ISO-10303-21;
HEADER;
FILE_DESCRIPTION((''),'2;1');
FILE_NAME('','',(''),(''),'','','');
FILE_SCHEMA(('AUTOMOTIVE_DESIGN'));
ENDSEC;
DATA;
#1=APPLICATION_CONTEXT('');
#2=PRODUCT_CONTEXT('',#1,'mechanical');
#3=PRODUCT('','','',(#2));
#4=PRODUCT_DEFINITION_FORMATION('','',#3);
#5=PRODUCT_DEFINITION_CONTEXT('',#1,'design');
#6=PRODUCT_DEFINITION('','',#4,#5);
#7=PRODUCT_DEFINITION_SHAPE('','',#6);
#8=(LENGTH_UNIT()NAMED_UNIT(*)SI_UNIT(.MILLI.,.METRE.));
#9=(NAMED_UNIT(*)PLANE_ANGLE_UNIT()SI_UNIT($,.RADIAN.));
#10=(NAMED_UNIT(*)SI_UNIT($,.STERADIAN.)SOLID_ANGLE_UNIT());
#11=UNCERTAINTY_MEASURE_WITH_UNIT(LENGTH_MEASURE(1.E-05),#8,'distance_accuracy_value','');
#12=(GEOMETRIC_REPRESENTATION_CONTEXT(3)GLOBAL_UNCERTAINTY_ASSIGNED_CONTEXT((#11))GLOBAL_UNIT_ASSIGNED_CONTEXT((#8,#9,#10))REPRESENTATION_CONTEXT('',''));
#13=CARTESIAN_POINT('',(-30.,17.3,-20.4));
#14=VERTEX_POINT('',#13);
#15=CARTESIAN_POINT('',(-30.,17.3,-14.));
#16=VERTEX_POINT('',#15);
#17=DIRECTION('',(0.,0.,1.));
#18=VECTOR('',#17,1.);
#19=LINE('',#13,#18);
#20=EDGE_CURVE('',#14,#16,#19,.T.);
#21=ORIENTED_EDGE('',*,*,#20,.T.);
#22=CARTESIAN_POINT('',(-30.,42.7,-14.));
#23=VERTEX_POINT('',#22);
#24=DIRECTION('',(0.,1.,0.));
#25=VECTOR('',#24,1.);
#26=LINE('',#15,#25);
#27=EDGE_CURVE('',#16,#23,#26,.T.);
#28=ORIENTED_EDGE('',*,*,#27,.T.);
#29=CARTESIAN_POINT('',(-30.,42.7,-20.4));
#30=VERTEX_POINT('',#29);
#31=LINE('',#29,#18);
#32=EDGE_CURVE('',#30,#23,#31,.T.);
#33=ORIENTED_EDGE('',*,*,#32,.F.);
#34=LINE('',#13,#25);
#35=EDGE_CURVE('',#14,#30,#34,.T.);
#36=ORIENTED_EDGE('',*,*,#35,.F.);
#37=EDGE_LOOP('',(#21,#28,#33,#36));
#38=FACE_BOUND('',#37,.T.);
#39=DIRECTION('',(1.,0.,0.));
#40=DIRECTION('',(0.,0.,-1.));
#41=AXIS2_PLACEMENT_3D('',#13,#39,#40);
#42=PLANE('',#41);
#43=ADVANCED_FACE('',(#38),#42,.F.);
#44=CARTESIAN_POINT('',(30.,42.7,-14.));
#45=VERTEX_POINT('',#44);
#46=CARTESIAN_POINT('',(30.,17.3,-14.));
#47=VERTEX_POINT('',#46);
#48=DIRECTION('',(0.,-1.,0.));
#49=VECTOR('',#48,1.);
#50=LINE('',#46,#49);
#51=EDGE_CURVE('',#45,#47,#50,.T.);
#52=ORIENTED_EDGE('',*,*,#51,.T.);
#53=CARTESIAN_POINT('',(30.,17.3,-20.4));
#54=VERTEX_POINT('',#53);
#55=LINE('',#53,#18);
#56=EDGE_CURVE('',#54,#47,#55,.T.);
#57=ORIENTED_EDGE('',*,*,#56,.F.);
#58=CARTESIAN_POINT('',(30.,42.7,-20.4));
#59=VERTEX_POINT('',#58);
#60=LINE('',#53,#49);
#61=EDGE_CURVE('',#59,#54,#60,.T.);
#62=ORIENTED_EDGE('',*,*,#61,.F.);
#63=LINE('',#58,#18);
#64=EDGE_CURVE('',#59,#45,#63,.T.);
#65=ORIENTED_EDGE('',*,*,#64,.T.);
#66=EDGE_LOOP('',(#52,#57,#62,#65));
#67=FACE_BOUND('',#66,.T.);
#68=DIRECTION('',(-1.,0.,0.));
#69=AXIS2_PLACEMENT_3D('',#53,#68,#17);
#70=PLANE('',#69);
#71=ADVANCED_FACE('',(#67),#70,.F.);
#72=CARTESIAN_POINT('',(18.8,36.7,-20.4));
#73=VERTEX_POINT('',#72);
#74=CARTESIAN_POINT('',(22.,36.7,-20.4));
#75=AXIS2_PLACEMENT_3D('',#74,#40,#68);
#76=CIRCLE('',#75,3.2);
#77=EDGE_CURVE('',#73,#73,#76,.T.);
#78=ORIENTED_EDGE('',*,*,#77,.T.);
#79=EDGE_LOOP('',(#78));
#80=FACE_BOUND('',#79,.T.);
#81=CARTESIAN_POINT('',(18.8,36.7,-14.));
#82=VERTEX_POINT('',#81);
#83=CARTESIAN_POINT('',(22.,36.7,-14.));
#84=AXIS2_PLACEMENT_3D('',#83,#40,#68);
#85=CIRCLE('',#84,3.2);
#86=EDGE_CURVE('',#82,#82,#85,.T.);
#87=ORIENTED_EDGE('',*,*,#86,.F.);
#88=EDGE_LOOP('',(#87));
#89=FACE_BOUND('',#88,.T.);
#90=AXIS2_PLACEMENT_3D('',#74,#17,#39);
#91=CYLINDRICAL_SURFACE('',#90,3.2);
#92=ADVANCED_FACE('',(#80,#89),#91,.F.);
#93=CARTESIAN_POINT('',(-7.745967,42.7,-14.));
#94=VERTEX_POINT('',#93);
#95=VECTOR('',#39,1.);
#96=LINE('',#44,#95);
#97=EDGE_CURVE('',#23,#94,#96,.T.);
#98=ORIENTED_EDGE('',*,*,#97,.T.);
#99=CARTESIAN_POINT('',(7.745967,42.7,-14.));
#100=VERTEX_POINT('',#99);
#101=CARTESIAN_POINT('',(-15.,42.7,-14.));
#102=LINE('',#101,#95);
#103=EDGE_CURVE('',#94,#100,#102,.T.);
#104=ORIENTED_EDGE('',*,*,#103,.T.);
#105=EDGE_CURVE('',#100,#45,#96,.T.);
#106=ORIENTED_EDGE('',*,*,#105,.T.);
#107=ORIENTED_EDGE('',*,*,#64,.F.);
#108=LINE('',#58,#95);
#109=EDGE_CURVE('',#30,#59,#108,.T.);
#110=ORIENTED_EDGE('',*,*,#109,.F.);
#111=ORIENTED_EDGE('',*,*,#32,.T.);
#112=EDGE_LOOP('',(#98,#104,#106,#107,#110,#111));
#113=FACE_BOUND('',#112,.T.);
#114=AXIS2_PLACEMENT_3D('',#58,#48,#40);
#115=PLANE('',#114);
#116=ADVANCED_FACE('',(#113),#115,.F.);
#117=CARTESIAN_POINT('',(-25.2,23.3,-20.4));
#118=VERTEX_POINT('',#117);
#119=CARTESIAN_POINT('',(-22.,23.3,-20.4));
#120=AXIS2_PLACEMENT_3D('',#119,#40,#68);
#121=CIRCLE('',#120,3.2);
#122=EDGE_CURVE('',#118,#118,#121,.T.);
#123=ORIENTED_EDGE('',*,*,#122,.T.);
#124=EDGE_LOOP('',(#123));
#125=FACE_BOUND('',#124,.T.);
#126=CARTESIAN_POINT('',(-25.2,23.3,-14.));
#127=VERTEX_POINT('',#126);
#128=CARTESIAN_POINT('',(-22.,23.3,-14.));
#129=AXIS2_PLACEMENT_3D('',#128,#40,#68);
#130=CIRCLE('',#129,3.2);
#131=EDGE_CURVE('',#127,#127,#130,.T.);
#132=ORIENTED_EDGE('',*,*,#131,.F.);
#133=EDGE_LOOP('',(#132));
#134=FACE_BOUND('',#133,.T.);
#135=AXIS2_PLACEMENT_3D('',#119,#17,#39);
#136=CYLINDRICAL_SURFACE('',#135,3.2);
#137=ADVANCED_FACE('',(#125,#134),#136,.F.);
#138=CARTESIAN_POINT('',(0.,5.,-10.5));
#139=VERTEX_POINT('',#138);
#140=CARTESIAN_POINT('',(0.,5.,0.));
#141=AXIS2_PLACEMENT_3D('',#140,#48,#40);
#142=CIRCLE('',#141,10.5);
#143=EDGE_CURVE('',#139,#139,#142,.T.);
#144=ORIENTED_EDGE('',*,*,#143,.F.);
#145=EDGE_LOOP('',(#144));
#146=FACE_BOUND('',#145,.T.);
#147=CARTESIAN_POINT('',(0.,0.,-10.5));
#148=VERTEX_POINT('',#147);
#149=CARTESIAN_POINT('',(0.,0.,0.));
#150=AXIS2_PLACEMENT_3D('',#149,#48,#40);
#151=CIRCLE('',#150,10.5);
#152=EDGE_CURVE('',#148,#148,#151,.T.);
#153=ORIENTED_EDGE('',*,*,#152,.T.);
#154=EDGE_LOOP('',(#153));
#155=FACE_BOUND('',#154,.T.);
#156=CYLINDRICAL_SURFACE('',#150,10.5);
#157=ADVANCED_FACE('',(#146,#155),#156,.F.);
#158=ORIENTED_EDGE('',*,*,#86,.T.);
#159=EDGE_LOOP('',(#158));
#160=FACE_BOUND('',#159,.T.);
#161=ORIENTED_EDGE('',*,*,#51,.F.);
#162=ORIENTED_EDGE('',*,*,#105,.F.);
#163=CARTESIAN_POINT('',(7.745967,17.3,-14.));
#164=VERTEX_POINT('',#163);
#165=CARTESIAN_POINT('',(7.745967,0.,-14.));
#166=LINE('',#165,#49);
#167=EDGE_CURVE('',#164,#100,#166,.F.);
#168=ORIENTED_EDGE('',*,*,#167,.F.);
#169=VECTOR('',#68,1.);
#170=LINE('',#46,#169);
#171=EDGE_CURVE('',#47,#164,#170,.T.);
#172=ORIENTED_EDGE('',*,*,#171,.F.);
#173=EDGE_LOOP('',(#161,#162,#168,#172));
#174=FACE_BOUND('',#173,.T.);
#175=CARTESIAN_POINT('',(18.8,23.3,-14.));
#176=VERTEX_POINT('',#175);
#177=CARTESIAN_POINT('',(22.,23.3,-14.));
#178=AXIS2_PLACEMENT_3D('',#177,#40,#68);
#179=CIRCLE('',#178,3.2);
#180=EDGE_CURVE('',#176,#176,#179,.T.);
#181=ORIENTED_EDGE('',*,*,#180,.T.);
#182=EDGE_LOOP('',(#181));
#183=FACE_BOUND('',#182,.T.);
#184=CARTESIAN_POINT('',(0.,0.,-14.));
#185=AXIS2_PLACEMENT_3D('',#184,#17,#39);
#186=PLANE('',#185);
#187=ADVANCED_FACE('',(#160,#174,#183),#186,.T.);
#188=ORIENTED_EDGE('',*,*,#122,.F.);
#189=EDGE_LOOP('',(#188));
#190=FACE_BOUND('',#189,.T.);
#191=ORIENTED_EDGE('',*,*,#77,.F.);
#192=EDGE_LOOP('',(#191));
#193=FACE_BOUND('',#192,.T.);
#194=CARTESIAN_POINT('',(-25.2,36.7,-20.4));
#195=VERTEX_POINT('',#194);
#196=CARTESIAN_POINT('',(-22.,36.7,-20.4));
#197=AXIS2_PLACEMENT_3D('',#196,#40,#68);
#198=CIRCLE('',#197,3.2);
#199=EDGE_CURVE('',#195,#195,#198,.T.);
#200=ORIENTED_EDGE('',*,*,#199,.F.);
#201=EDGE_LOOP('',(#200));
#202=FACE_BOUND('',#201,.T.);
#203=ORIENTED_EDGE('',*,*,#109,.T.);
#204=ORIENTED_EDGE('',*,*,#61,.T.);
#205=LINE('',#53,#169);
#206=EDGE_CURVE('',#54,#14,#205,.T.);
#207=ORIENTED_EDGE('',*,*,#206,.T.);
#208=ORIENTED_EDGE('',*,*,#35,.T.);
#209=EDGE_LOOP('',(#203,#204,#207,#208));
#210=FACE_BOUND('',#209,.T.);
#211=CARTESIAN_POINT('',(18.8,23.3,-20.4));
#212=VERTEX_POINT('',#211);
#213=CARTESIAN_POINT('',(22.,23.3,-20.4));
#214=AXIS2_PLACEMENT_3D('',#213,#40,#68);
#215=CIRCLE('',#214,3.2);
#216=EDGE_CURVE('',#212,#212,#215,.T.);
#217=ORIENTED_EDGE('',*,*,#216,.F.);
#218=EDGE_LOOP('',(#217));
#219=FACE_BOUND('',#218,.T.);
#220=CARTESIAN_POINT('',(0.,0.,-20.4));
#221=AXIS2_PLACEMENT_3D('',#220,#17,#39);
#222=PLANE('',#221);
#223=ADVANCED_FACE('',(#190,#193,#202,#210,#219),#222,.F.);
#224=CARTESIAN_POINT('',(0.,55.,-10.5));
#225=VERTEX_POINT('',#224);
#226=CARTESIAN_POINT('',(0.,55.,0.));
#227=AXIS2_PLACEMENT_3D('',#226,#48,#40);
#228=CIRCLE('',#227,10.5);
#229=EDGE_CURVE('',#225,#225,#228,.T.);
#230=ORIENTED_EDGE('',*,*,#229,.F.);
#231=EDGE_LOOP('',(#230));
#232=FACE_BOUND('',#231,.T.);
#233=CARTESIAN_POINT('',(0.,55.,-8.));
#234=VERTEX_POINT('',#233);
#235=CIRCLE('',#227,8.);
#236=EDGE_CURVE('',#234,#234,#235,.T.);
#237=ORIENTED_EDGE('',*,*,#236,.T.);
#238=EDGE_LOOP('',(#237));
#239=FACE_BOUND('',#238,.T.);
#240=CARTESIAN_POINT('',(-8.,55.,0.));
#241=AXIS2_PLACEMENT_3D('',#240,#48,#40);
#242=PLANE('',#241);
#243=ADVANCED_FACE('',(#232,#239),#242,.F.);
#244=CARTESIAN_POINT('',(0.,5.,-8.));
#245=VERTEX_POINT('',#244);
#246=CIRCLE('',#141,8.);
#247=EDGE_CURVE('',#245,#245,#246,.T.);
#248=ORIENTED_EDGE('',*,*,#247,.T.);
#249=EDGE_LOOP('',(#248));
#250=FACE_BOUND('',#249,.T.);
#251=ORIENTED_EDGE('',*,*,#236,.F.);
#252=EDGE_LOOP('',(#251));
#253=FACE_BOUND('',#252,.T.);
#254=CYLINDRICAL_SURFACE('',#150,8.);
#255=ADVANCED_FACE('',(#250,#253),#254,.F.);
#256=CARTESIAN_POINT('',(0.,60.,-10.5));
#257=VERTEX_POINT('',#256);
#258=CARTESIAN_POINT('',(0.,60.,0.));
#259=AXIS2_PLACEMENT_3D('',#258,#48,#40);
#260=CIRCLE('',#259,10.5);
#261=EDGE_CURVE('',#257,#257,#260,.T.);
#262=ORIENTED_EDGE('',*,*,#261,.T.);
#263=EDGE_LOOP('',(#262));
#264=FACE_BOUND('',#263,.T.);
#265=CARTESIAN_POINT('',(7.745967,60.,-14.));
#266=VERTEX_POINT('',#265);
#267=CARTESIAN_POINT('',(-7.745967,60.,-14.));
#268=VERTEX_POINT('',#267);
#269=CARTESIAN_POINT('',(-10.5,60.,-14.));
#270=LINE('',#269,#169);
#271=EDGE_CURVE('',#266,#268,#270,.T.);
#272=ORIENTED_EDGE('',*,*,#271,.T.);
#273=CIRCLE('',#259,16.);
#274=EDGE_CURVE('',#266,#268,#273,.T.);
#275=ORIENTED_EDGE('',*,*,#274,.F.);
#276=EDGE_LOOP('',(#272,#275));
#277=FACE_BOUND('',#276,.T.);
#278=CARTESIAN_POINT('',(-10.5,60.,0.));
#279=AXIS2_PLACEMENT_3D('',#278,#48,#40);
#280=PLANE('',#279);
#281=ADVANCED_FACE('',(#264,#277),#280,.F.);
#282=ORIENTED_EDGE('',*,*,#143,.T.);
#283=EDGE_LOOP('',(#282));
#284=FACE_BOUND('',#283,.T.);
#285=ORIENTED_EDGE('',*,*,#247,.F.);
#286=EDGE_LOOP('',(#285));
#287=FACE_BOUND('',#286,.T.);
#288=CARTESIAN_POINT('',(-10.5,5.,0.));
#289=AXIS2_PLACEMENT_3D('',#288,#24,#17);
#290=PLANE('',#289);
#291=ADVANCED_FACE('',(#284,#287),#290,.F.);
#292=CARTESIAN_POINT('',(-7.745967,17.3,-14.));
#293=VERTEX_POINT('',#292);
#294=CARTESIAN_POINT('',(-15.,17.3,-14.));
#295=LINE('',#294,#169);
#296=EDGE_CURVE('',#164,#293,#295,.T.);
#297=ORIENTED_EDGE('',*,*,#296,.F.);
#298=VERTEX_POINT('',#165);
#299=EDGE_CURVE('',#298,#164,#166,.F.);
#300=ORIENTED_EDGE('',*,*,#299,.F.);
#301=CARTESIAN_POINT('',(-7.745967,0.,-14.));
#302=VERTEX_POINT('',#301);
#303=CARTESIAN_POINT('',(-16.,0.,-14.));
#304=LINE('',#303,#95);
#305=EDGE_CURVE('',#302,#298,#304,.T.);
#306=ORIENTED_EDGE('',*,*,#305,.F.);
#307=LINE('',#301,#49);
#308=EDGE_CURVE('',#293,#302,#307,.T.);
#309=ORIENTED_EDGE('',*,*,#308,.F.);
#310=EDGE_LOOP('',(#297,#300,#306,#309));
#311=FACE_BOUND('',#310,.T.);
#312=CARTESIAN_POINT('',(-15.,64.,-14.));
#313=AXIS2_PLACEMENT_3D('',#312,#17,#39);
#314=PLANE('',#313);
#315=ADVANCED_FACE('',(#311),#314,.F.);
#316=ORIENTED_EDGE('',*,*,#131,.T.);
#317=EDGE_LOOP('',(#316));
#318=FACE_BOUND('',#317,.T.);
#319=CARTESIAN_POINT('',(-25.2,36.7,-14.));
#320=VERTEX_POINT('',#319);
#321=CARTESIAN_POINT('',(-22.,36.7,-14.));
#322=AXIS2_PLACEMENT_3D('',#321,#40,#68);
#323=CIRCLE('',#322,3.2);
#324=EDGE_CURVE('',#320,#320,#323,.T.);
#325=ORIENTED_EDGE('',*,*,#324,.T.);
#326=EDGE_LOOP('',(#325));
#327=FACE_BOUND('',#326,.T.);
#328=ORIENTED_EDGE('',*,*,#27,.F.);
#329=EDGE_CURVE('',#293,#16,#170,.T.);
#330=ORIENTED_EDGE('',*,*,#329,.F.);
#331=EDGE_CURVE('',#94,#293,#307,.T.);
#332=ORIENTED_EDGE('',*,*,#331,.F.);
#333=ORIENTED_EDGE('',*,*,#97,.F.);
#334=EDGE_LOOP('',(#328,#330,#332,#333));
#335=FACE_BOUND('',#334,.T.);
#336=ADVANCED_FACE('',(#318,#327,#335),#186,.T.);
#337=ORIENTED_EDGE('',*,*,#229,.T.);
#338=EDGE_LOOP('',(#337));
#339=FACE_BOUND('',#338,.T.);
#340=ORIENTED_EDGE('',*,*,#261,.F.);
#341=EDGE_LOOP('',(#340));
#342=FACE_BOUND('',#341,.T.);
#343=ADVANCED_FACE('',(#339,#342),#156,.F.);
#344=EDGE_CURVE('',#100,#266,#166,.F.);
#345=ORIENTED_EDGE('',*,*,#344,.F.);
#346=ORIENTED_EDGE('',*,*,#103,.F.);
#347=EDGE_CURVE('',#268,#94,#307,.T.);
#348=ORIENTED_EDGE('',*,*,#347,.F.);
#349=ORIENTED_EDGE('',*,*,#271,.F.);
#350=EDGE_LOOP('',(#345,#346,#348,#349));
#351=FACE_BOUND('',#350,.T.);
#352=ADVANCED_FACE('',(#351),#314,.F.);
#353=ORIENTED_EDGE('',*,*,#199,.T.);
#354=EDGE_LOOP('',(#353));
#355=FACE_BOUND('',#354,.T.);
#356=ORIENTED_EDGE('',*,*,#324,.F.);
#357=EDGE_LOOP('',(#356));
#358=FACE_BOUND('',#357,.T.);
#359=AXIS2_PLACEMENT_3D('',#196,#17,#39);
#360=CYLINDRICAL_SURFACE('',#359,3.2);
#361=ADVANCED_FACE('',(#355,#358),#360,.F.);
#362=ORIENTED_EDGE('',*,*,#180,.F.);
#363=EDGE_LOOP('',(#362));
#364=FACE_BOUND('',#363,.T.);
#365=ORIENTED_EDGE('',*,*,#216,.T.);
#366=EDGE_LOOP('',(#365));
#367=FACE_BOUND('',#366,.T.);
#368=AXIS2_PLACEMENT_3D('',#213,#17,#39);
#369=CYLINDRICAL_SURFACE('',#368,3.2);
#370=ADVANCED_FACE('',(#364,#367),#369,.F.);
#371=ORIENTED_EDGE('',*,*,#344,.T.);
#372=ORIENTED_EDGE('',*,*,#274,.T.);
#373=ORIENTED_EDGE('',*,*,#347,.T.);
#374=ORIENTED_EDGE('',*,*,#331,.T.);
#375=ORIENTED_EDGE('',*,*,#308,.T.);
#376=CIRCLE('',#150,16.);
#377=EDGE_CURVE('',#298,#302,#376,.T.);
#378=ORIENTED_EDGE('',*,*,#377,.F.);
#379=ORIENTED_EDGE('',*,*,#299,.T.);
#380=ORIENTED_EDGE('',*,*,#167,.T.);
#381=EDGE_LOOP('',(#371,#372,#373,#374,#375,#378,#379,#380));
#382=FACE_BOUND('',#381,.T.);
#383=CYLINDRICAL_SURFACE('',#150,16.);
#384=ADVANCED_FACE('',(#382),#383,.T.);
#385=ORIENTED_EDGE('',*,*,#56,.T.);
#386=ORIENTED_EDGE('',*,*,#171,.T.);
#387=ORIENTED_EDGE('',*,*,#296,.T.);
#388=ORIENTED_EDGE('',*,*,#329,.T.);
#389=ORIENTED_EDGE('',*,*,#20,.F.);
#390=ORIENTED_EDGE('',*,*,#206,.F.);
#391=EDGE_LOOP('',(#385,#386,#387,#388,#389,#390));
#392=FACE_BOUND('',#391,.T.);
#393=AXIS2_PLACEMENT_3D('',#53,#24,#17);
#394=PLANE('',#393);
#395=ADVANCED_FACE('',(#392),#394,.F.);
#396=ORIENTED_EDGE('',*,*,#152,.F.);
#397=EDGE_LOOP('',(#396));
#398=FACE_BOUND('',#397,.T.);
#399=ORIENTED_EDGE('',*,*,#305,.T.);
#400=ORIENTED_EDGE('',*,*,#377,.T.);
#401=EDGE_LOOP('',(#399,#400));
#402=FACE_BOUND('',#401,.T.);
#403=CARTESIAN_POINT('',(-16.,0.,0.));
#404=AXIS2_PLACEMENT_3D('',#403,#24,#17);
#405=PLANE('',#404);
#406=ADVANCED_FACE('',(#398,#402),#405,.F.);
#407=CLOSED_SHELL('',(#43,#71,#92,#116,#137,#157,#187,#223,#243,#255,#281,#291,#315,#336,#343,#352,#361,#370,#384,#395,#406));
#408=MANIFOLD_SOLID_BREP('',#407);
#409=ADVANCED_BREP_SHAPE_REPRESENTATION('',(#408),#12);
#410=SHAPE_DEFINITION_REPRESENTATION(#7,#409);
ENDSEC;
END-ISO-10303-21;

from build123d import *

# Parameters (mm, degrees)
CROQUIS2_W              = 30
CROQUIS2_H              = 10
CORTAR_EXTRUIR1_DEPTH   = 64
CROQUIS3_W              = 60
CROQUIS3_H              = 25.4
CROQUIS3_R              = 3.2
SALIENTE_EXTRUIR1_DEPTH = 6.4


with BuildPart() as part:
    # Croquis1 → Revolución1 (revolve)
    with BuildSketch(Plane.XY, mode=Mode.PRIVATE) as revoluci_n1_sk:
        Polygon((-8, 55), (-10.5, 55), (-10.5, 60), (-16, 60), (-16, 0), (-10.5, 0), (-10.5, 5), (-8, 5), align=None)
    revolve(revoluci_n1_sk.sketch.rotate(Axis((0, 0, 0), (0, 1, 0)), 270), axis=Axis((0, 0, 0), (0, 1, 0)))

    # Croquis2 → Cortar-Extruir1 (cut)
    with BuildSketch(Plane.XZ):
        with Locations((0, -19)):
            Rectangle(CROQUIS2_W, CROQUIS2_H)
    extrude(amount=-CORTAR_EXTRUIR1_DEPTH, mode=Mode.SUBTRACT)

    # Croquis3 → Saliente-Extruir1 (add)
    with BuildSketch(Plane(origin=(0, 0, -14), x_dir=(-1, 0, 0), z_dir=(0, 0, -1))):
        with Locations((0, 30)):
            Rectangle(CROQUIS3_W, CROQUIS3_H)
        with Locations((-22, 36.7)):
            Circle(CROQUIS3_R, mode=Mode.SUBTRACT)
        with Locations((-22, 23.3)):
            Circle(CROQUIS3_R, mode=Mode.SUBTRACT)
        with Locations((22, 36.7)):
            Circle(CROQUIS3_R, mode=Mode.SUBTRACT)
        with Locations((22, 23.3)):
            Circle(CROQUIS3_R, mode=Mode.SUBTRACT)
    extrude(amount=SALIENTE_EXTRUIR1_DEPTH)


solid = part.part
